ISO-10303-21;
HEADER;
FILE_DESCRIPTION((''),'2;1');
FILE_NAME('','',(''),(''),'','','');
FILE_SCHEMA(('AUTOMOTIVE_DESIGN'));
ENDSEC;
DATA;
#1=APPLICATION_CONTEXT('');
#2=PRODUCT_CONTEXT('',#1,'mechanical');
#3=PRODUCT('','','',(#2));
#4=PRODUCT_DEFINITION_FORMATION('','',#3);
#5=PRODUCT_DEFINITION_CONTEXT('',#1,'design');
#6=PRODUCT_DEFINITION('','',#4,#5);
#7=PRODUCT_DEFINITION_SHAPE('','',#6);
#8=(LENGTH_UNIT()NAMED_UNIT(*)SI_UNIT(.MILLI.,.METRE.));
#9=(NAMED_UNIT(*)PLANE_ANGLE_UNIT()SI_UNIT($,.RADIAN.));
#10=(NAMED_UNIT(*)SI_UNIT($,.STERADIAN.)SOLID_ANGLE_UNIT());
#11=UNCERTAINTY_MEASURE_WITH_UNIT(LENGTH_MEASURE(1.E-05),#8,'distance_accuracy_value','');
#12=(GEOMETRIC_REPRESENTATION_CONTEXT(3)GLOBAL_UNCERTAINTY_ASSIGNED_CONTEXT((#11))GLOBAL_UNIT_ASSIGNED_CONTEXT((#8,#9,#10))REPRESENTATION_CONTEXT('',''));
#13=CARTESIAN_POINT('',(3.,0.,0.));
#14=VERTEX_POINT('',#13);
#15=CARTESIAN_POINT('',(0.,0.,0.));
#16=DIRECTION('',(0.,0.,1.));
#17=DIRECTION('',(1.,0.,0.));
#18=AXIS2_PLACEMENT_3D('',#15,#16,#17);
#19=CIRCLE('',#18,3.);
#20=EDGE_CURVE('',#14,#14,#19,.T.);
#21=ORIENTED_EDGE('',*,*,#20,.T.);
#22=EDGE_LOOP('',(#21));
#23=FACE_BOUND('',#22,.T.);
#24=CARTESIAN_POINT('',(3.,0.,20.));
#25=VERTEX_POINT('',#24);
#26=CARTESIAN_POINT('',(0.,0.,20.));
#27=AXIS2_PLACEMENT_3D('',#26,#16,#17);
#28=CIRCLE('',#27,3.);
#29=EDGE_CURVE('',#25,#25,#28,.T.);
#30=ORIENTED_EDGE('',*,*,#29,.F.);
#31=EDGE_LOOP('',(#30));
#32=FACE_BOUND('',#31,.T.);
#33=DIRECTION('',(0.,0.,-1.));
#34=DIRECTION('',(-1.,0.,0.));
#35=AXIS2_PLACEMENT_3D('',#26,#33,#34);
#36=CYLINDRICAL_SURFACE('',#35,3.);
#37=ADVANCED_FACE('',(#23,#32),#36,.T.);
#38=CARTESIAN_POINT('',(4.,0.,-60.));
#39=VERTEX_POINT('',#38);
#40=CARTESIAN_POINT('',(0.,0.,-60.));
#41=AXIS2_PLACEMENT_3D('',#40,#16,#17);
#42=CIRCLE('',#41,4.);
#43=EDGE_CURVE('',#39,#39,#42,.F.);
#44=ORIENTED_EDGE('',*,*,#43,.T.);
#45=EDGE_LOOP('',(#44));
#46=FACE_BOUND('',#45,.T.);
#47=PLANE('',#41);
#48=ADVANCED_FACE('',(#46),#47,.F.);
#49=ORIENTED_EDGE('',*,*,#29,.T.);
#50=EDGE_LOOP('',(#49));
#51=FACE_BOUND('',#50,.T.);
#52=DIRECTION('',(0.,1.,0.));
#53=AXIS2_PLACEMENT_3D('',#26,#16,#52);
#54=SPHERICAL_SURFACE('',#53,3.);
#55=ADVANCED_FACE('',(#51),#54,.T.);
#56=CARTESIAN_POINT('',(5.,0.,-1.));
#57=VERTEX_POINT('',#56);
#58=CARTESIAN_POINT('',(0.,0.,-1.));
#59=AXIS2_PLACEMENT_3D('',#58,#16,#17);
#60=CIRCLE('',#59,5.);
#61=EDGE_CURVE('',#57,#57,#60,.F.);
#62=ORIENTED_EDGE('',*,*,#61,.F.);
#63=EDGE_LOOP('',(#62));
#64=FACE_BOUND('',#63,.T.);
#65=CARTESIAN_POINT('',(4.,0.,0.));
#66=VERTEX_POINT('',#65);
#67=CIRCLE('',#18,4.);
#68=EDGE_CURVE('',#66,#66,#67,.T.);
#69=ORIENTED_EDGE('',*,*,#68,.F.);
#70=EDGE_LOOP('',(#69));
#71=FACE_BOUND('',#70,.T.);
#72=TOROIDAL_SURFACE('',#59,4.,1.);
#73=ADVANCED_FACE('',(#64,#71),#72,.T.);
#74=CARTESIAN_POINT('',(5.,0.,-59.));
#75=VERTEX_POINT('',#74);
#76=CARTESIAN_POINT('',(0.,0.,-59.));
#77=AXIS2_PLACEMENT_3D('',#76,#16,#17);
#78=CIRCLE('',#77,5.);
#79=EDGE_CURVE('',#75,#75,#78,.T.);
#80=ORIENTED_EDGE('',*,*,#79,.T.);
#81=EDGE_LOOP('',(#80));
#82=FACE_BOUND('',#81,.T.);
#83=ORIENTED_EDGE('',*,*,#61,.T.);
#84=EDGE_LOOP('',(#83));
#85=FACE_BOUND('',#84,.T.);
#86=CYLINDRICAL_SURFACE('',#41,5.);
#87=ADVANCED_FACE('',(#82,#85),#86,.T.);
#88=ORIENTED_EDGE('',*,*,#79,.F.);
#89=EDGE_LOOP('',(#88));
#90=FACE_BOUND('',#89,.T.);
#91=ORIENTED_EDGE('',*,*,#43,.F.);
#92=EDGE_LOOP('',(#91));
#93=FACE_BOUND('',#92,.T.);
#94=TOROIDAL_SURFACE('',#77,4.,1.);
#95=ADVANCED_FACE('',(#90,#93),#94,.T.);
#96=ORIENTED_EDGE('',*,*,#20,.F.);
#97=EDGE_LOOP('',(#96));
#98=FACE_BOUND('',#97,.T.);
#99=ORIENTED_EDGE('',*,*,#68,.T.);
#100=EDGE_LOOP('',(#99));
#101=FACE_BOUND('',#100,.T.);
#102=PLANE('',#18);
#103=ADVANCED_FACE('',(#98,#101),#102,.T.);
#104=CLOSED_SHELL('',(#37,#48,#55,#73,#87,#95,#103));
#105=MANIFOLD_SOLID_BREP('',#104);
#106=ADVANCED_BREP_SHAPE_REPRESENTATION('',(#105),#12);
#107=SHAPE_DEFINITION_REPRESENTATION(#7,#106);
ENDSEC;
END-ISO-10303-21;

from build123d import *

# Parameters (mm, degrees)
SKETCH_1_R      = 5
EXTRUDE_1_DEPTH = 60
SKETCH_2_R      = 3
EXTRUDE_2_DEPTH = 20
FILLET_1_R      = 1


with BuildPart() as part:
    # 草图1 → 凸台-拉伸1 (new body)
    with BuildSketch(Plane.XY):
        Circle(SKETCH_1_R)
    extrude(amount=-EXTRUDE_1_DEPTH)

    # 草图2 → 凸台-拉伸2 (add)
    with BuildSketch(Plane.XY):
        Circle(SKETCH_2_R)
    extrude(amount=EXTRUDE_2_DEPTH)

    # 圆角1
    fillet_1_edges = [part.edges().sort_by_distance(p)[0] for p in [
        (-5, 0, 0),
        (-5, 0, -60),
    ]]
    fillet(fillet_1_edges, radius=FILLET_1_R)

    # 草图3 → 旋转1 (revolve)
    with BuildSketch(Plane(origin=(0, 0, 0), x_dir=(0, 0, -1), z_dir=(1, 0, 0))):
        with BuildLine():
            Line((-20, 0), (-20, 3))
            ThreePointArc((-20, 3), (-22.121320344, 2.121320344), (-23, 0))
            Line((-23, 0), (-20, 0))
        make_face()
    revolve(axis=Axis((0, 0, 23), (0, 0, -1)))


solid = part.part
